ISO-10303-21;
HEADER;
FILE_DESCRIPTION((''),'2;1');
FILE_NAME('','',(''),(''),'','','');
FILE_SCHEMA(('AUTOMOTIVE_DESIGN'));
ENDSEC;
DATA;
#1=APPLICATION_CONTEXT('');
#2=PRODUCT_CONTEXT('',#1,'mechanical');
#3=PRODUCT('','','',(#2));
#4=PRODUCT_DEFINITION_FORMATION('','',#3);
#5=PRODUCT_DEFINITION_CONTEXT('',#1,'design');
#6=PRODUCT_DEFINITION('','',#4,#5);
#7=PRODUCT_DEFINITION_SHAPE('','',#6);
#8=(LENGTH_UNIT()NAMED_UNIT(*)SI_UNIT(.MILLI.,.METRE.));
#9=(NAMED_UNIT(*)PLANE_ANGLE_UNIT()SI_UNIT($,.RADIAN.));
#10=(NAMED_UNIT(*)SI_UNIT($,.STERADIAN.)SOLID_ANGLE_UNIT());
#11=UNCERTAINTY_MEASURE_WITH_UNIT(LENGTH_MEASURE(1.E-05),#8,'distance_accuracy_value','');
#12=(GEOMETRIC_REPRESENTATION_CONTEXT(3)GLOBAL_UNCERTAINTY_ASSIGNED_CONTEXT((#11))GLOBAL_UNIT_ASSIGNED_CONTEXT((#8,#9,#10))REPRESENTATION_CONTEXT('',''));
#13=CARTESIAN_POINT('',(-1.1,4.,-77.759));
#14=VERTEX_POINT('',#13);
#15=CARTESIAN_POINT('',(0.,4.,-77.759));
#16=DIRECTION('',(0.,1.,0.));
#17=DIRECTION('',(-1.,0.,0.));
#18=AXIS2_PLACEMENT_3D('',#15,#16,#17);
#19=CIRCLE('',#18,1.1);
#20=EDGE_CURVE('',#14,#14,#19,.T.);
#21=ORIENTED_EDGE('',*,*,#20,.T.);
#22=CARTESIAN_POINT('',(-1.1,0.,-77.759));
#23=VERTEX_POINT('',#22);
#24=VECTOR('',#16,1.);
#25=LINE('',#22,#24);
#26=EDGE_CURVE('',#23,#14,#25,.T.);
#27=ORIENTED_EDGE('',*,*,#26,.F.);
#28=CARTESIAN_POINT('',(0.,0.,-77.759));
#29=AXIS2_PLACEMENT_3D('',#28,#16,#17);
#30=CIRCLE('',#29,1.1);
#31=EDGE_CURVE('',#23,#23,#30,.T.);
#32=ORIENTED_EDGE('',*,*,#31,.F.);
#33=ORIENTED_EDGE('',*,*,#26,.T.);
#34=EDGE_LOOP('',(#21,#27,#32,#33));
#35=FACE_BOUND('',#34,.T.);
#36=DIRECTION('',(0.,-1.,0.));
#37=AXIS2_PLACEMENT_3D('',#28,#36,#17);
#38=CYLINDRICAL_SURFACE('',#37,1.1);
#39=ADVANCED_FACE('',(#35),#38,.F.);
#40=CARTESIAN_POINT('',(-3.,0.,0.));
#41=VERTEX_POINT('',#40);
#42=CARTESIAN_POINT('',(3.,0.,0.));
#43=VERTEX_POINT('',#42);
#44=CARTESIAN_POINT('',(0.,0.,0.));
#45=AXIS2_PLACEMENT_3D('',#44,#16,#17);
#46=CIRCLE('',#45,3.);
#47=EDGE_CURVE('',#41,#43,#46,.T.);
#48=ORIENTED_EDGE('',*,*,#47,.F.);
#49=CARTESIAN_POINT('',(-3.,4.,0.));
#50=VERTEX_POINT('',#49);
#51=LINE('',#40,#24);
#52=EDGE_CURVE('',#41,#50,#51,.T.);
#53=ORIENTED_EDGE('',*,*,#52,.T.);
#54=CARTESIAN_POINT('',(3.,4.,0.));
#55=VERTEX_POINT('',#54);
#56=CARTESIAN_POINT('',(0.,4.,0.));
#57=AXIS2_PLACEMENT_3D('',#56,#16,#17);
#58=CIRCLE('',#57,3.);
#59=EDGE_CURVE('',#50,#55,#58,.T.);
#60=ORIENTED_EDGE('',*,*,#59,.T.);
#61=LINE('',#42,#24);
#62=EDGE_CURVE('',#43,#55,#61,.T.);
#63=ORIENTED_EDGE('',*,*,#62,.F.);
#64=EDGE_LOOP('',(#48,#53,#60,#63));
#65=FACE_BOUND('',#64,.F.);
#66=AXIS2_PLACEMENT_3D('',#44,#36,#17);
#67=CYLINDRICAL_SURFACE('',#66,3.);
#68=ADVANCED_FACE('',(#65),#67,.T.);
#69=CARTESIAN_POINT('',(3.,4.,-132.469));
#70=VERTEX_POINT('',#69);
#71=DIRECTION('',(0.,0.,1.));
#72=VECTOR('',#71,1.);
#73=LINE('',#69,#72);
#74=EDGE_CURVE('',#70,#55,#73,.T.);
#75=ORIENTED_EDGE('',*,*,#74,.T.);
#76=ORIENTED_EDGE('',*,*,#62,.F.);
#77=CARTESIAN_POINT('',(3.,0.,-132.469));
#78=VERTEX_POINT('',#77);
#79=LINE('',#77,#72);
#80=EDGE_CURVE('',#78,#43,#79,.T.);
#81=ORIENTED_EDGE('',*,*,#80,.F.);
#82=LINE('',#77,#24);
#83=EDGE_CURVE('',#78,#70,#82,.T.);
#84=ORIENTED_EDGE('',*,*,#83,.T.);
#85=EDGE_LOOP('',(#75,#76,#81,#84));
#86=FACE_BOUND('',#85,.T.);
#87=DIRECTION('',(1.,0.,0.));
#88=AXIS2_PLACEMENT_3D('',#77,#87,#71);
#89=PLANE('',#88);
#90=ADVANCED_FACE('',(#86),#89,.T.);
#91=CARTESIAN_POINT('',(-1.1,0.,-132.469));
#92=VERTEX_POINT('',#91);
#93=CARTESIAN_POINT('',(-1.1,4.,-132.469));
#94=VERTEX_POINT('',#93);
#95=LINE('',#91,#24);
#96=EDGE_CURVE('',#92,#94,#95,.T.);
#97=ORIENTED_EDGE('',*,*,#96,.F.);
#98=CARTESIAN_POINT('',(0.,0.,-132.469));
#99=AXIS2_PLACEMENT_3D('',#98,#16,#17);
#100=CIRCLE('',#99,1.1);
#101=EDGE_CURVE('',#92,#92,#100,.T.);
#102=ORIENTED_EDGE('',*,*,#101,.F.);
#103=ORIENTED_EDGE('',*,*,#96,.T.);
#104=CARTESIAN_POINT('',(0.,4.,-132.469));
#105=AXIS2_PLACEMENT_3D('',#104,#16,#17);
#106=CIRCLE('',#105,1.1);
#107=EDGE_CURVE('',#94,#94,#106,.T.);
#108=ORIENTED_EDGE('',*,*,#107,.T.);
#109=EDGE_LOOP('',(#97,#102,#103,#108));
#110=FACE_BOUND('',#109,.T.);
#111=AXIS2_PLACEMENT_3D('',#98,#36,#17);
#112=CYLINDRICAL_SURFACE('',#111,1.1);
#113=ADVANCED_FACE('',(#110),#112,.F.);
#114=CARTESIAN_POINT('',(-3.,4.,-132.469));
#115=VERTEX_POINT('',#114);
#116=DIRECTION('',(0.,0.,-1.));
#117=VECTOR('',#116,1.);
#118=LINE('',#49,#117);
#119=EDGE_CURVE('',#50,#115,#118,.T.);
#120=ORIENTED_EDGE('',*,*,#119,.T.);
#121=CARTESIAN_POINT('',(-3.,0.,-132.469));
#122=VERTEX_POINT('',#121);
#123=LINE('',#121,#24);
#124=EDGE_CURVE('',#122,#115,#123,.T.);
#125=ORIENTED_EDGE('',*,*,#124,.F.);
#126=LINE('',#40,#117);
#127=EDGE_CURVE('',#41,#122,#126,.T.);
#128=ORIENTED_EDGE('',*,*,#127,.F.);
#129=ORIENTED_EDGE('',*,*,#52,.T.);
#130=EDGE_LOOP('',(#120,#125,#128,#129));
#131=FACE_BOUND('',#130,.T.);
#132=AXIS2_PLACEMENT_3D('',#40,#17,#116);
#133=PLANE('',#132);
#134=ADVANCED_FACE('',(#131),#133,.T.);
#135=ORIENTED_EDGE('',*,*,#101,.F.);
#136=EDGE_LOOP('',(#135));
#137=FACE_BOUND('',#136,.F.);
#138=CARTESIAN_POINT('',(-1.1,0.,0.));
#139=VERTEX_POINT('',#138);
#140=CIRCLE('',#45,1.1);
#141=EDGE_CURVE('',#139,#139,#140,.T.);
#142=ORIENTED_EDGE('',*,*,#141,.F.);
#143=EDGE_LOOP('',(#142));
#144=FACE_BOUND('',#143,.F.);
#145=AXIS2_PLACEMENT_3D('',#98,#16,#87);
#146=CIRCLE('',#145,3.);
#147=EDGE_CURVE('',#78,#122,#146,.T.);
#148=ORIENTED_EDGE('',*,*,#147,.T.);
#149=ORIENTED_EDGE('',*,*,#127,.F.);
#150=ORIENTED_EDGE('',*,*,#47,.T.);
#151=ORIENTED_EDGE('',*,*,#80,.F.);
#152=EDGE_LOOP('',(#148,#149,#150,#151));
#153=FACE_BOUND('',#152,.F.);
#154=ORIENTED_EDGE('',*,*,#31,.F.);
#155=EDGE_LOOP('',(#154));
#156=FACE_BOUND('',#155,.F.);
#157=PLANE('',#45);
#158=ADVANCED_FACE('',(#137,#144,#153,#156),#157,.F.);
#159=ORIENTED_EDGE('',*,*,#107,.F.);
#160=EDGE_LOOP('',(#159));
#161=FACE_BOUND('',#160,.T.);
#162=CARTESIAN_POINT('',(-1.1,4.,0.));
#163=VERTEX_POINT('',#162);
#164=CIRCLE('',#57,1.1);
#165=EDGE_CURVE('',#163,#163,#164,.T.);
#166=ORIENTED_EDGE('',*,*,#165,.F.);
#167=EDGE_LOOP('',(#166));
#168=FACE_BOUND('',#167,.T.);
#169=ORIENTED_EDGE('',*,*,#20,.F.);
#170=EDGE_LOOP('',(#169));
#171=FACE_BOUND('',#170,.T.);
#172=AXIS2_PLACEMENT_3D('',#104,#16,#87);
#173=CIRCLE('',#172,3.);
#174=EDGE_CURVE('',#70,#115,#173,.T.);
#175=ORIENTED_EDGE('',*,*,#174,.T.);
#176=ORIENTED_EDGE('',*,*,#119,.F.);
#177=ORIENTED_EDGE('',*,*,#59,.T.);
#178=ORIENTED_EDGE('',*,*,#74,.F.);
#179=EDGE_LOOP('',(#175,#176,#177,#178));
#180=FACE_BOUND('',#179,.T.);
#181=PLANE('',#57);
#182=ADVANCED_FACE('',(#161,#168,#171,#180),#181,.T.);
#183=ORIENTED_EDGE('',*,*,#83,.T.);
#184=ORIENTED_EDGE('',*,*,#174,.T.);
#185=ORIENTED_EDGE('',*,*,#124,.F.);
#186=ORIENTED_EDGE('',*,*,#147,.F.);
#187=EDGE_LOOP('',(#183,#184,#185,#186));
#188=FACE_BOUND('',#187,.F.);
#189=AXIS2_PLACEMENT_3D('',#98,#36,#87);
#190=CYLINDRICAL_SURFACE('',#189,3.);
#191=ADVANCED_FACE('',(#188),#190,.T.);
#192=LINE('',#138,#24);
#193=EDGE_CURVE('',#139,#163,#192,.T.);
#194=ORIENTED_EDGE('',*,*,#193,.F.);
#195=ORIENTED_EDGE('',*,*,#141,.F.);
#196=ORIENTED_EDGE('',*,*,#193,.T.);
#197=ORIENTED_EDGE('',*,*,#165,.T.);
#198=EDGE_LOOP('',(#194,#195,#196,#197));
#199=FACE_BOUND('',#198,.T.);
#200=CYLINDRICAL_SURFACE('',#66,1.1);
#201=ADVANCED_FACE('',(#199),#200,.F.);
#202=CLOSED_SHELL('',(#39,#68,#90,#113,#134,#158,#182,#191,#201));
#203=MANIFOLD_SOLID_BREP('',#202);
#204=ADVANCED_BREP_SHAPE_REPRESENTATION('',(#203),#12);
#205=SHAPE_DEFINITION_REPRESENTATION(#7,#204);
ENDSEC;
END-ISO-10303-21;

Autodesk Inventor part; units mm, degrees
ref_plane "YZ Plane" through (0, 0, 0) normal (1, 0, 0) x (0, 1, 0)
ref_plane "XZ Plane" through (0, 0, 0) normal (0, 1, 0) x (-1, 0, 0)
ref_plane "XY Plane" through (0, 0, 0) normal (0, 0, 1) x (1, 0, 0)
sketch "Sketch1" plane through (0, 0, 0) normal (0, 1, 0) x (-1, 0, 0)
  line L0 (0, 0) -> (0, -132.469) construction
  line L1 (3, 0) -> (3, -132.469)
  line L2 (-3, -132.469) -> (-3, 0)
  arc A0 (3, 0) -> (-3, 0) centre (0, 0) ccw
  arc A1 (-3, -132.469) -> (3, -132.469) centre (0, -132.469) ccw
  circle A2 centre (0, 0) radius 1.1
  circle A3 centre (0, -132.469) radius 1.1
  circle A4 centre (0, -77.759) radius 1.1
  point P0 (0, -66.2345)
  dimension "d0" = 2.2
  dimension "d1" = 2.2
  dimension "d2" = 6
  dimension "d3" = 132.469
  dimension "d4" = 2.2
  dimension "d5" = 77.759
extrude "Extrusion1" add sketch "Sketch1" along normal blind 4
